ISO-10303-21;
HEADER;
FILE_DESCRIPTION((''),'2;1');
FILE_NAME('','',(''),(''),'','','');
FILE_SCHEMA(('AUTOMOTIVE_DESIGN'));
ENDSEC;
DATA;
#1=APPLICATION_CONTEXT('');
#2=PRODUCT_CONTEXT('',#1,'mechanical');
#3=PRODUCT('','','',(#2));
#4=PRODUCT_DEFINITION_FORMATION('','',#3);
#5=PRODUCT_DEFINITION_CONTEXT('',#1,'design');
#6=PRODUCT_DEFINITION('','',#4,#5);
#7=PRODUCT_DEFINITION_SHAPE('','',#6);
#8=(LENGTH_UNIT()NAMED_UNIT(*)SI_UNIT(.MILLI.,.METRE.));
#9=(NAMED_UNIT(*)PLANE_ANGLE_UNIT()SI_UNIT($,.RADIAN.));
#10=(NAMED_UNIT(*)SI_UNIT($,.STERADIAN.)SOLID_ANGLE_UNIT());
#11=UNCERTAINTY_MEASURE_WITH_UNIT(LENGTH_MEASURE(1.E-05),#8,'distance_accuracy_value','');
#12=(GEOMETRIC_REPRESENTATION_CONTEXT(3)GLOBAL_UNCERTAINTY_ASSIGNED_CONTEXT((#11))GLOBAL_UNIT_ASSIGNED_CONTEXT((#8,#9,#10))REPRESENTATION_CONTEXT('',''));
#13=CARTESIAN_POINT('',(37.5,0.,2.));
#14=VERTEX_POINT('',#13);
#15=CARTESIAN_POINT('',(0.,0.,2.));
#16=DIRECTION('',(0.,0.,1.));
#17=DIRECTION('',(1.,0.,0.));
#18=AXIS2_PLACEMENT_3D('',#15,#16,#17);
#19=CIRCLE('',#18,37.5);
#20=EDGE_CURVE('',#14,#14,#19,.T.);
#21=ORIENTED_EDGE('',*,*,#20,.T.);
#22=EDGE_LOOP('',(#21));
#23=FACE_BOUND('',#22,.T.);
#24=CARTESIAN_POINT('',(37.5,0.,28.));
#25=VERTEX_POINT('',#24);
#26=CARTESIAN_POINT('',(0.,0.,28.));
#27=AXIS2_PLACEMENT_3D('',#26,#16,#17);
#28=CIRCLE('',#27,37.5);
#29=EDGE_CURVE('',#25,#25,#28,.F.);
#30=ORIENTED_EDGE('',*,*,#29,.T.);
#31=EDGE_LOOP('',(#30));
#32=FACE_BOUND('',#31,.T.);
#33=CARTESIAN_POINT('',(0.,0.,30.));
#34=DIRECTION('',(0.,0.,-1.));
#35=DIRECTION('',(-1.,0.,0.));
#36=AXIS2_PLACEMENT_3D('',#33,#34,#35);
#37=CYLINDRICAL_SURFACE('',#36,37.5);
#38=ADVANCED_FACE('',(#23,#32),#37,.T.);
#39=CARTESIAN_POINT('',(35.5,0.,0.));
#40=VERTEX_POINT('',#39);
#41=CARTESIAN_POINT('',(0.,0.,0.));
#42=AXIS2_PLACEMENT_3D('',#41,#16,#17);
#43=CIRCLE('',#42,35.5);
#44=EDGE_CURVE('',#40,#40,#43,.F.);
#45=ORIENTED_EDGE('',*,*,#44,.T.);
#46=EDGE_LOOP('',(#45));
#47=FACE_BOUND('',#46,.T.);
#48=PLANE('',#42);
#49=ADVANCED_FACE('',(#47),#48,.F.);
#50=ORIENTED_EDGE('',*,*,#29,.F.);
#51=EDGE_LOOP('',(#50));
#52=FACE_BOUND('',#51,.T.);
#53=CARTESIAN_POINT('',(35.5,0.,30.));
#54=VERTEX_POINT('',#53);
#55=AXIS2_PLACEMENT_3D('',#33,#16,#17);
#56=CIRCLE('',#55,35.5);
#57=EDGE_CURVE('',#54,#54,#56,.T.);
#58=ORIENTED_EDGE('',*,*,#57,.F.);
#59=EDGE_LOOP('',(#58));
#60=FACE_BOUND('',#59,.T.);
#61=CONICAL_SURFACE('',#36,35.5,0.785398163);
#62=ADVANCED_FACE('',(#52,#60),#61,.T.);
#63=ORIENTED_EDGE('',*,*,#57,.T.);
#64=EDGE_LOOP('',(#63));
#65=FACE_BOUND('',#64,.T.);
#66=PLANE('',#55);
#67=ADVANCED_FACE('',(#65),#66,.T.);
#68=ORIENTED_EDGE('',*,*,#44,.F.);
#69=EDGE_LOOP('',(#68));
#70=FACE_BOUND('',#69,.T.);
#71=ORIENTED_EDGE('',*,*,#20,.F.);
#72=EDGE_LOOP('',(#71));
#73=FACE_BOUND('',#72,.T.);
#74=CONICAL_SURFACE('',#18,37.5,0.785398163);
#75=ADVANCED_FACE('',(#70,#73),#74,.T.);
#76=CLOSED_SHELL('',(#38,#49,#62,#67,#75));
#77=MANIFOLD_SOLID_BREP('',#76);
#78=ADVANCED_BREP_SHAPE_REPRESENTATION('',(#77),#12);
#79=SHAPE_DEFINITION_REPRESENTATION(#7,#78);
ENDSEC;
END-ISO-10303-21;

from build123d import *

# Parameters (mm, degrees)
SKETCH_1_R      = 37.5
EXTRUDE_1_DEPTH = 30
CHAMFER_1_SIZE  = 2


with BuildPart() as part:
    # ｽｹｯﾁ1 → ﾎﾞｽ - 押し出し1 (new body)
    with BuildSketch(Plane.XY):
        Circle(SKETCH_1_R)
    extrude(amount=EXTRUDE_1_DEPTH)

    # 面取り1
    chamfer_1_edges = [part.edges().sort_by_distance(p)[0] for p in [
        (-37.5, 0, 0),
        (-37.5, 0, 30),
    ]]
    chamfer(chamfer_1_edges, length=CHAMFER_1_SIZE)


solid = part.part
